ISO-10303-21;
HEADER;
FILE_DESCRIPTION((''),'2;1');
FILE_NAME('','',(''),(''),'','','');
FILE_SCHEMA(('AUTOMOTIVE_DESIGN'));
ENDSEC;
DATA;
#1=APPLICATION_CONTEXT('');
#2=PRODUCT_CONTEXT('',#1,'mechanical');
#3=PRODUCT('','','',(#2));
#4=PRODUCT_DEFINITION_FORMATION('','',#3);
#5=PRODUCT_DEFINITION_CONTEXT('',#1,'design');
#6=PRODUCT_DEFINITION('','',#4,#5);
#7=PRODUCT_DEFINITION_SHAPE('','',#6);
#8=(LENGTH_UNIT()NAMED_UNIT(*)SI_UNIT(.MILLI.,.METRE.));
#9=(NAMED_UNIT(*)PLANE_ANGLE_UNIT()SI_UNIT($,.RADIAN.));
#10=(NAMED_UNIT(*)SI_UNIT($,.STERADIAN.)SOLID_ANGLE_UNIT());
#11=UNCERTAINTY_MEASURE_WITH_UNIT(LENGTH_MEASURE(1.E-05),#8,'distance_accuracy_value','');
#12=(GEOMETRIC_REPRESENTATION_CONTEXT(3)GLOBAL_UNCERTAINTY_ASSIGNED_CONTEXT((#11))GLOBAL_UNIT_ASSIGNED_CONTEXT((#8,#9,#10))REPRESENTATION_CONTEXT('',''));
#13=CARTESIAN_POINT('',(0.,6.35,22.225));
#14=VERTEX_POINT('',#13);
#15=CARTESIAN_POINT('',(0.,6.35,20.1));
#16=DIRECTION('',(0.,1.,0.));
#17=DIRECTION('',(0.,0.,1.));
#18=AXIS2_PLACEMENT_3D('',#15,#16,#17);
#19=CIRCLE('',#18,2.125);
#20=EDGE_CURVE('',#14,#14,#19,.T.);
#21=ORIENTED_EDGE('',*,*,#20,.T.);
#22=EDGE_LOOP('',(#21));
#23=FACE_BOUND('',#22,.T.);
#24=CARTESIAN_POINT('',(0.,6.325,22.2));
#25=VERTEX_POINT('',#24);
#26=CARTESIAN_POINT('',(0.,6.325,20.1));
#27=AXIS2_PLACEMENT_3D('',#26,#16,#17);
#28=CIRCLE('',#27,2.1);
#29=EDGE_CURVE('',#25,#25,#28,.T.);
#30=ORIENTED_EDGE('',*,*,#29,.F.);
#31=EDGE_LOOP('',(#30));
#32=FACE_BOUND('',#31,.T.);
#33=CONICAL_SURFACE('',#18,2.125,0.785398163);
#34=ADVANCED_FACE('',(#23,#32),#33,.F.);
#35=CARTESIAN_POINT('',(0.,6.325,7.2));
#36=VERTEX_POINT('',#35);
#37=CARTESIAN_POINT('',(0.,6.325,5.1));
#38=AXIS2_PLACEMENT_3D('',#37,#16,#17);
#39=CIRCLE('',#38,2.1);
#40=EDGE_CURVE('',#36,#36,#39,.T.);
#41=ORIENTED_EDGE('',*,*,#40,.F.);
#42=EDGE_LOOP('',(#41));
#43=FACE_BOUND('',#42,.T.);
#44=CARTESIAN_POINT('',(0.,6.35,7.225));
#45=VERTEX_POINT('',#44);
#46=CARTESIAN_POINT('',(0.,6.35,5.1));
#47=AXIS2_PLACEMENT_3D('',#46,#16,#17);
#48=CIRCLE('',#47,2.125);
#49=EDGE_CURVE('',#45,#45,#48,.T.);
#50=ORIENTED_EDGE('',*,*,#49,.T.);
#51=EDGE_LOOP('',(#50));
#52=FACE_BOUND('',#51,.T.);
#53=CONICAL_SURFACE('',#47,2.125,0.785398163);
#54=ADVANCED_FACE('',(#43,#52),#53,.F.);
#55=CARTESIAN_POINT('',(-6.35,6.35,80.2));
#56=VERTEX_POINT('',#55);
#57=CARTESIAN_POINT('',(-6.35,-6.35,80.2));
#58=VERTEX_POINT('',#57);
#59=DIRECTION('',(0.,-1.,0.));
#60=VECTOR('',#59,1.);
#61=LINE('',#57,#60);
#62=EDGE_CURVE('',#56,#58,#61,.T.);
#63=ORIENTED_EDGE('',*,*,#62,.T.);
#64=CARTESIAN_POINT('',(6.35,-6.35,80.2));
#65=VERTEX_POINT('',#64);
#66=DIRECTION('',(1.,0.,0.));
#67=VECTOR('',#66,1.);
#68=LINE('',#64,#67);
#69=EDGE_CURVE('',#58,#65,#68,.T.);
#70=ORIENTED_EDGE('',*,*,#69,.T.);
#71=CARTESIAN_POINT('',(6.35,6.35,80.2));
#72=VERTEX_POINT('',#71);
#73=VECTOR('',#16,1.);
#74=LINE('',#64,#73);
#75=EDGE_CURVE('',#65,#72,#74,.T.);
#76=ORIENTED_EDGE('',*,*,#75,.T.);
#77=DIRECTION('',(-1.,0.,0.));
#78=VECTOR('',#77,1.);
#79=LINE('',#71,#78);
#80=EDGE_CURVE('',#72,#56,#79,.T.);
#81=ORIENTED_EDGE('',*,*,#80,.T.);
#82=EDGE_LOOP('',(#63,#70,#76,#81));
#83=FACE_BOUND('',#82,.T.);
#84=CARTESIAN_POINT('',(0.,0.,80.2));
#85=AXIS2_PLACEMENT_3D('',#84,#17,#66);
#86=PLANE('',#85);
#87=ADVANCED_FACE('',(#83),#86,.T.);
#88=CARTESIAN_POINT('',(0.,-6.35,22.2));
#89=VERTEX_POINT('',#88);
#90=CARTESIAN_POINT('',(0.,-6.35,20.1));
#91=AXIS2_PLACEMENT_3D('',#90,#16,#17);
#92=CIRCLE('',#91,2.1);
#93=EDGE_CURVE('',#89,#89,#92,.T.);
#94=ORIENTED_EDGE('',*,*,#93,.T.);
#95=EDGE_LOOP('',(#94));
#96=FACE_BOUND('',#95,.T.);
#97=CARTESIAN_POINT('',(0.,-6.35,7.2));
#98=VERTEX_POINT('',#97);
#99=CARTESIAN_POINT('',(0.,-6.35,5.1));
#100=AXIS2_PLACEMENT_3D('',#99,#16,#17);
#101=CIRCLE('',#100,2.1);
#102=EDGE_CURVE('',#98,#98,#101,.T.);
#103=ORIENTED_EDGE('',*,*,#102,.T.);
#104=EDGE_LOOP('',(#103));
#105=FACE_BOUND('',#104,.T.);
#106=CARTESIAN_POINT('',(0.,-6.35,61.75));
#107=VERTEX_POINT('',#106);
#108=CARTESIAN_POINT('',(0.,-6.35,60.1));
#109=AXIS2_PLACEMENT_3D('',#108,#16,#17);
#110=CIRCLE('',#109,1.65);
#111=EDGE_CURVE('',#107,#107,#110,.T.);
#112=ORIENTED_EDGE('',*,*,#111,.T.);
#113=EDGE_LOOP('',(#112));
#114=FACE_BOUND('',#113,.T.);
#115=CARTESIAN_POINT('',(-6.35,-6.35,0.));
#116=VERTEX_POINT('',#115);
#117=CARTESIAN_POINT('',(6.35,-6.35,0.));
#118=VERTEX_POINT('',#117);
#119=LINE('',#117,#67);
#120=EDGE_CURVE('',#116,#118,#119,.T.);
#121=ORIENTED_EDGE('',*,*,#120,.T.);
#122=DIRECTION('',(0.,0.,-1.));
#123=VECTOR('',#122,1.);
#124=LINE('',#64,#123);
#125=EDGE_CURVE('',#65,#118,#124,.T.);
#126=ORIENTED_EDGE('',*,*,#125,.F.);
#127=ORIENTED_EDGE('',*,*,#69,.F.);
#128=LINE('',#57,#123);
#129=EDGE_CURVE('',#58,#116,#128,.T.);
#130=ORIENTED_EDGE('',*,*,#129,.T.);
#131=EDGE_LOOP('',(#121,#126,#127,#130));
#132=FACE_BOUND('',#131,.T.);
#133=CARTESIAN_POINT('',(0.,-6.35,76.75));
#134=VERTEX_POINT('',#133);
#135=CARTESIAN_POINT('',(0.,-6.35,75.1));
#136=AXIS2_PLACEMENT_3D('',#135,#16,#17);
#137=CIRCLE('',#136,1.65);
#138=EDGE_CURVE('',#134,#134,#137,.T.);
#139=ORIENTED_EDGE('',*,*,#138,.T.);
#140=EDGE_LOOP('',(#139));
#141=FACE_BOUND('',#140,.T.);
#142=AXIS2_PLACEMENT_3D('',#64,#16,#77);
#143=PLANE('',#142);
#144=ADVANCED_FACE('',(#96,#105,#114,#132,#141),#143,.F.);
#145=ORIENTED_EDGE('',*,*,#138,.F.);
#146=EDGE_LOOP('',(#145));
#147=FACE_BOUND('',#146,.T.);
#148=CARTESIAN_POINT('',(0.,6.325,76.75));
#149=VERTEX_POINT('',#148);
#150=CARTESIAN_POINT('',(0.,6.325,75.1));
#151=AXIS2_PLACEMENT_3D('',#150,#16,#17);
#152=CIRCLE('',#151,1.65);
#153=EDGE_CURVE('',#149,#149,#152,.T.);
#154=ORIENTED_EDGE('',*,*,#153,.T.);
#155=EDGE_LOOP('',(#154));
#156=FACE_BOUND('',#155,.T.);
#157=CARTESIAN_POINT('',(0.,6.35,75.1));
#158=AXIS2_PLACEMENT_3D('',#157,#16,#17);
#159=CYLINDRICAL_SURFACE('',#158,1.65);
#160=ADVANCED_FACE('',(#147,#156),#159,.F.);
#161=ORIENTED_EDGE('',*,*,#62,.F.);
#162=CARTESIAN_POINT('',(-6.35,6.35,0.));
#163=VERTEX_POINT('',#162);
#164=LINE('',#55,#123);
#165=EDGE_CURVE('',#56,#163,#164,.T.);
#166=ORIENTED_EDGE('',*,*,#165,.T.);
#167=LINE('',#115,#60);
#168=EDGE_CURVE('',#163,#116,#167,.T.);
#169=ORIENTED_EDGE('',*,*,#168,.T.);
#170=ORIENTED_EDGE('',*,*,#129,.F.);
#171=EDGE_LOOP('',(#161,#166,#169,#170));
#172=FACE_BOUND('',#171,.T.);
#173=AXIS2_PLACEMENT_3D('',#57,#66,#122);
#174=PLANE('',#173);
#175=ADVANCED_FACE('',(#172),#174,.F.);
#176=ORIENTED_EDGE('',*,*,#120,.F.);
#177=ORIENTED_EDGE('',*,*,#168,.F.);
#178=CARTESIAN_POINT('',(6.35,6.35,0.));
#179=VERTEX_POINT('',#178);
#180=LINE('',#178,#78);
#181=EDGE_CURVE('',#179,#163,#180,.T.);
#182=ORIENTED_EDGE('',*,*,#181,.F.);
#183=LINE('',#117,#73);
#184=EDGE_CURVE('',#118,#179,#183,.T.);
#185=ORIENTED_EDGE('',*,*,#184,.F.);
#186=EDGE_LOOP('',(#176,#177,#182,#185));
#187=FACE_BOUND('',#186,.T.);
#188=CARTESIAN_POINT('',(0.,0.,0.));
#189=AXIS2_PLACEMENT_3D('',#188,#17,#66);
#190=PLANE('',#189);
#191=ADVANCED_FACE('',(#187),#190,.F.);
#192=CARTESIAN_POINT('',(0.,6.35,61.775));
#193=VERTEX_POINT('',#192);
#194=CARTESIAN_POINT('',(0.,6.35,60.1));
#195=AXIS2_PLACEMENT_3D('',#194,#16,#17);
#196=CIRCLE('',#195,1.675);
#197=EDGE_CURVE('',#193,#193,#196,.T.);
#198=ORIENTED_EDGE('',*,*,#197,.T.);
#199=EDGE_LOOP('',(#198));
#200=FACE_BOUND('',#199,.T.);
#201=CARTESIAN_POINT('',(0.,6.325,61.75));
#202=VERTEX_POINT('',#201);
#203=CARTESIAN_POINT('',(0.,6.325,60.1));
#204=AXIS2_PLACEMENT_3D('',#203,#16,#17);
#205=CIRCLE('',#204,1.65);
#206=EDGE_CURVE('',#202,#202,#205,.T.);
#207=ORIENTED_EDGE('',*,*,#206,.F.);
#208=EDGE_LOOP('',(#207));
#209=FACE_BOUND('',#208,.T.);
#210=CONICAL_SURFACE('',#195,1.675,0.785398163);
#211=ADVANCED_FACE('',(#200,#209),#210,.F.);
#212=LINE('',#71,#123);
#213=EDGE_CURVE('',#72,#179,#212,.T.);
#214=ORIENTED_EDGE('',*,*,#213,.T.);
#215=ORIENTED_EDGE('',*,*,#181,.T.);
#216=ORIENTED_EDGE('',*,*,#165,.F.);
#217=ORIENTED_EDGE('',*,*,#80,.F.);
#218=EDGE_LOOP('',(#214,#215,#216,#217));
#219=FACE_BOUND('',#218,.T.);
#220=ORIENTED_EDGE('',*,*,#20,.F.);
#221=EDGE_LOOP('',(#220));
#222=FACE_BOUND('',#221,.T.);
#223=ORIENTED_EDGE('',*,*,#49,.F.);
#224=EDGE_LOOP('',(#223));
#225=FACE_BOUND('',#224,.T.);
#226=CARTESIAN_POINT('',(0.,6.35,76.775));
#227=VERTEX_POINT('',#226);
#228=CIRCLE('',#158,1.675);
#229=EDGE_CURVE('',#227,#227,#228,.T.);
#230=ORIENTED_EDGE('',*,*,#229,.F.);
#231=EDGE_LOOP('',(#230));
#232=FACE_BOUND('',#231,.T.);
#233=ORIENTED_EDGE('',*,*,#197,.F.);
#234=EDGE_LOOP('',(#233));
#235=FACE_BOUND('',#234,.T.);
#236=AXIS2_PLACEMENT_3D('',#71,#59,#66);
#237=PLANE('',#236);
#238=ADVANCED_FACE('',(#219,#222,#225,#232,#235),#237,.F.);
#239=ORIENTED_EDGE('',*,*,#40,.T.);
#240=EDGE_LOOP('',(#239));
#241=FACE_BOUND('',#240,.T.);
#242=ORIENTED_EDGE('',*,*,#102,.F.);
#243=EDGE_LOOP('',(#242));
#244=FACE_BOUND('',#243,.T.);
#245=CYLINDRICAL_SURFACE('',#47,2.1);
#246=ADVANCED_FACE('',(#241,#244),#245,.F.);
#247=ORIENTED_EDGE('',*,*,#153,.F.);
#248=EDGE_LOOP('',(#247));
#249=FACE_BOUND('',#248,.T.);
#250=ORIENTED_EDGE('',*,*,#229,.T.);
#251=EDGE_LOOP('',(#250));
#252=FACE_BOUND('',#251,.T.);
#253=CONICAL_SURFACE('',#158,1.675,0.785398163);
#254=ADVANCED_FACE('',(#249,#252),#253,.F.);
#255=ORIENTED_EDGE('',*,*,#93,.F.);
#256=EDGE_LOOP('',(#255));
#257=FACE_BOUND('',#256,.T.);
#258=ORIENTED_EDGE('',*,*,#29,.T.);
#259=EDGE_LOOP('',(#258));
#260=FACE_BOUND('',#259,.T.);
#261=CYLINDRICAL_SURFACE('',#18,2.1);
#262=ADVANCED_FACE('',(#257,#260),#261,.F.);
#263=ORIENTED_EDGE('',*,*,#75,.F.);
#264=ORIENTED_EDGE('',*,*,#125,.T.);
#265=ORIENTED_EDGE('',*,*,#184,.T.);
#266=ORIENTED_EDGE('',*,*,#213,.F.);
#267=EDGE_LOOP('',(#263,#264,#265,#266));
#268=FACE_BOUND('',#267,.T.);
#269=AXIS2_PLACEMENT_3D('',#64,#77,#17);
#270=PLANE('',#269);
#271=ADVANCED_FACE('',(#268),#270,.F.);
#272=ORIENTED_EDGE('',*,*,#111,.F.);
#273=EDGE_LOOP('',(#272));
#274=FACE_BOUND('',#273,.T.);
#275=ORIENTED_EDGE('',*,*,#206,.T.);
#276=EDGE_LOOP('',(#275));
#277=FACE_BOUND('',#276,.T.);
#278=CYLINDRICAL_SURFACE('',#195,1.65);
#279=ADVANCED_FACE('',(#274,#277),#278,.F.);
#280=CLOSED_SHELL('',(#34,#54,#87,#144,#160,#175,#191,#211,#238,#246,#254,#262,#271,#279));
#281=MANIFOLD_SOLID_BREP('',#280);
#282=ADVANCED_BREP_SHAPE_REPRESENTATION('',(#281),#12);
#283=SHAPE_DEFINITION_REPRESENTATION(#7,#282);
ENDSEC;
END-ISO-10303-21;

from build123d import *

# Parameters (mm, degrees)
SKETCH_1_W                   = 12.7
SKETCH_1_H                   = 12.7
EXTRUDE_1_DEPTH              = 80.2
HOLE_WIZARD_M4_1_D           = 3.3
HOLE_WIZARD_M4_1_CSINK_D     = 3.35
HOLE_WIZARD_M4_1_CSINK_ANGLE = 90
HOLE_WIZARD_M5_1_D           = 4.2
HOLE_WIZARD_M5_1_CSINK_D     = 4.25
HOLE_WIZARD_M5_1_CSINK_ANGLE = 90


with BuildPart() as part:
    # 草圖1 → 填料-伸長1 (new body)
    with BuildSketch(Plane.XY):
        Rectangle(SKETCH_1_W, SKETCH_1_H)
    extrude(amount=EXTRUDE_1_DEPTH)

    # M4  螺絲攻的螺孔鑽1 (through all)
    with Locations(Plane(origin=(0, 6.35, 0), x_dir=(1, 0, 0), z_dir=(0, 1, 0))):
        with Locations((0, -60.1), (0, -75.1)):
            CounterSinkHole(HOLE_WIZARD_M4_1_D / 2, HOLE_WIZARD_M4_1_CSINK_D / 2, counter_sink_angle=HOLE_WIZARD_M4_1_CSINK_ANGLE)

    # M5  螺絲攻的螺孔鑽1 (through all)
    with Locations(Plane(origin=(0, 6.35, 0), x_dir=(1, 0, 0), z_dir=(0, 1, 0))):
        with Locations((0, -5.1), (0, -20.1)):
            CounterSinkHole(HOLE_WIZARD_M5_1_D / 2, HOLE_WIZARD_M5_1_CSINK_D / 2, counter_sink_angle=HOLE_WIZARD_M5_1_CSINK_ANGLE)


solid = part.part
